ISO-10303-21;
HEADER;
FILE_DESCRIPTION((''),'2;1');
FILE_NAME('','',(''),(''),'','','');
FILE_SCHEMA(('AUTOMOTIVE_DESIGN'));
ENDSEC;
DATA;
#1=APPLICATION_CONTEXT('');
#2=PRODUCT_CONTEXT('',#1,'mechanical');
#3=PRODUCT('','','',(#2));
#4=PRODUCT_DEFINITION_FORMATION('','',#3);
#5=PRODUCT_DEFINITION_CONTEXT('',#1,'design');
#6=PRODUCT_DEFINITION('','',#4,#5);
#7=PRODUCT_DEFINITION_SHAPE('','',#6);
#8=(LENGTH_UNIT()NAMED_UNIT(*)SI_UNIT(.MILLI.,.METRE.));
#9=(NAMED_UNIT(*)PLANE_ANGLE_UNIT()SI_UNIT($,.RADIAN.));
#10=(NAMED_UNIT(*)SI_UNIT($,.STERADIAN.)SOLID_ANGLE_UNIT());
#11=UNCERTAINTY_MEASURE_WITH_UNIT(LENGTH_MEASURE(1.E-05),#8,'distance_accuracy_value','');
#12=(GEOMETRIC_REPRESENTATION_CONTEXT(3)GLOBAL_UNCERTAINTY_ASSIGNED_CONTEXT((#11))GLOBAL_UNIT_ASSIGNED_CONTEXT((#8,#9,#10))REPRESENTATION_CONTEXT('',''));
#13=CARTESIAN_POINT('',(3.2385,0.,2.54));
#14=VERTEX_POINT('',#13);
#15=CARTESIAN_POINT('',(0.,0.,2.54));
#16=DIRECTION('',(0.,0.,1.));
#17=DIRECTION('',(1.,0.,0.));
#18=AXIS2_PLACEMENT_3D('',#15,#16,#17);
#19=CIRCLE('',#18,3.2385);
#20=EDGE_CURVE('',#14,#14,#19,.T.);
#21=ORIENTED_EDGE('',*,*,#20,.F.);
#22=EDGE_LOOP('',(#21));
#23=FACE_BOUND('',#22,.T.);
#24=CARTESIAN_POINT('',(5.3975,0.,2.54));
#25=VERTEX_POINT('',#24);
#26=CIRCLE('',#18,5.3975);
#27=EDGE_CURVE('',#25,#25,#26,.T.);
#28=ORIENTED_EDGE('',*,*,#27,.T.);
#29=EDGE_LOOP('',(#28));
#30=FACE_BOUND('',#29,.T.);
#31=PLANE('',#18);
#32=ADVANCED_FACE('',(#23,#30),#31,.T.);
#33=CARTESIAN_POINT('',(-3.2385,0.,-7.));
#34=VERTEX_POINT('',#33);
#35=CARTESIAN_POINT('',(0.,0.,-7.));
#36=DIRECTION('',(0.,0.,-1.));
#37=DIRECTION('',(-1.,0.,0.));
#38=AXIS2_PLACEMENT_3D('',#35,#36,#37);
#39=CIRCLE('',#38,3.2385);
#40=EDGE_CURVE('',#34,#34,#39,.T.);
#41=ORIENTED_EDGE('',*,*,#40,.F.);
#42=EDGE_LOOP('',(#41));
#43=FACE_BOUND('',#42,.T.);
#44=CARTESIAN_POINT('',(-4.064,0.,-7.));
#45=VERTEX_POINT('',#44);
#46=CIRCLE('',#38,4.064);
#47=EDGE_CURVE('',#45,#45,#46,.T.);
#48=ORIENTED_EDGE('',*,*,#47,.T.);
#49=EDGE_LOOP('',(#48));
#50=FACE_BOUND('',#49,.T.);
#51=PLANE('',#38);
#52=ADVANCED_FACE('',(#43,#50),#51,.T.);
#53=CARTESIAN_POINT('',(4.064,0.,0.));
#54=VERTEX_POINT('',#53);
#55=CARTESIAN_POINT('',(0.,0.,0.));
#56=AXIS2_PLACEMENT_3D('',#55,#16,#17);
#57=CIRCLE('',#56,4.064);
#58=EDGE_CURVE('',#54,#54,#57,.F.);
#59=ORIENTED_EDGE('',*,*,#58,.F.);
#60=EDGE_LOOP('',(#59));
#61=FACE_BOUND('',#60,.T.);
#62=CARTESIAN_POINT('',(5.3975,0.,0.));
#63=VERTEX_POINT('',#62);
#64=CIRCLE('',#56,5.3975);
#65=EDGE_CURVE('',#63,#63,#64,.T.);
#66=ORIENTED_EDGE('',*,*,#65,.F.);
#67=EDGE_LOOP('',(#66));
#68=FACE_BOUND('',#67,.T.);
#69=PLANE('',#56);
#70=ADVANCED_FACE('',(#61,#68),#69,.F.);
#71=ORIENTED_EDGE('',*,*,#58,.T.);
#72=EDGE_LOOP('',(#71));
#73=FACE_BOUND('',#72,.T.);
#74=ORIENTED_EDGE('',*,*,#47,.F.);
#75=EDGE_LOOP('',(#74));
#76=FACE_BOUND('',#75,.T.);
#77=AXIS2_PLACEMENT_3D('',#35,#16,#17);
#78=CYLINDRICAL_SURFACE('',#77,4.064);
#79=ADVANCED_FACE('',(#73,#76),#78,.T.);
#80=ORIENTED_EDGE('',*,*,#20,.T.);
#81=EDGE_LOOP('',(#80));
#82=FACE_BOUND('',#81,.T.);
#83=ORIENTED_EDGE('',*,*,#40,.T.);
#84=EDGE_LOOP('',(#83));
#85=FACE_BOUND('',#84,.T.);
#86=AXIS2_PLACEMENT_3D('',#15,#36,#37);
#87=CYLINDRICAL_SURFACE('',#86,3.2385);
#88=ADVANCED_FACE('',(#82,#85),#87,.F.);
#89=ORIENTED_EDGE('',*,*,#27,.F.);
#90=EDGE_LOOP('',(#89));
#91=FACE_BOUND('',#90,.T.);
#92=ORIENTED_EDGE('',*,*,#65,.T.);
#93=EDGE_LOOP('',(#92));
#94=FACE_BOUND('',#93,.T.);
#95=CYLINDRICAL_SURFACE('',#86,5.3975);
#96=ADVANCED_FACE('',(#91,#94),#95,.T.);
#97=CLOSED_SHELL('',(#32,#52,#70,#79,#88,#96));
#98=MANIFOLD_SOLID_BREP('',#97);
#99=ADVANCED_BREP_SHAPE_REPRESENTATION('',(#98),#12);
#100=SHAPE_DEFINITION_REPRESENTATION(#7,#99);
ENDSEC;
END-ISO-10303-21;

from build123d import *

# Parameters (mm, degrees)
SKETCH1_R           = 5.3975
SKETCH1_R_2         = 3.2385
BOSS_EXTRUDE1_DEPTH = 2.54
SKETCH2_R           = 4.064
SKETCH2_R_2         = 3.2385
BOSS_EXTRUDE2_DEPTH = 7


with BuildPart() as part:
    # Sketch1 → Boss-Extrude1 (new body)
    with BuildSketch(Plane.XY):
        Circle(SKETCH1_R)
        Circle(SKETCH1_R_2, mode=Mode.SUBTRACT)
    extrude(amount=BOSS_EXTRUDE1_DEPTH)

    # Sketch2 → Boss-Extrude2 (add)
    with BuildSketch(Plane(origin=(0, 0, 0), x_dir=(-1, 0, 0), z_dir=(0, 0, -1))):
        Circle(SKETCH2_R)
        Circle(SKETCH2_R_2, mode=Mode.SUBTRACT)
    extrude(amount=BOSS_EXTRUDE2_DEPTH)


solid = part.part
